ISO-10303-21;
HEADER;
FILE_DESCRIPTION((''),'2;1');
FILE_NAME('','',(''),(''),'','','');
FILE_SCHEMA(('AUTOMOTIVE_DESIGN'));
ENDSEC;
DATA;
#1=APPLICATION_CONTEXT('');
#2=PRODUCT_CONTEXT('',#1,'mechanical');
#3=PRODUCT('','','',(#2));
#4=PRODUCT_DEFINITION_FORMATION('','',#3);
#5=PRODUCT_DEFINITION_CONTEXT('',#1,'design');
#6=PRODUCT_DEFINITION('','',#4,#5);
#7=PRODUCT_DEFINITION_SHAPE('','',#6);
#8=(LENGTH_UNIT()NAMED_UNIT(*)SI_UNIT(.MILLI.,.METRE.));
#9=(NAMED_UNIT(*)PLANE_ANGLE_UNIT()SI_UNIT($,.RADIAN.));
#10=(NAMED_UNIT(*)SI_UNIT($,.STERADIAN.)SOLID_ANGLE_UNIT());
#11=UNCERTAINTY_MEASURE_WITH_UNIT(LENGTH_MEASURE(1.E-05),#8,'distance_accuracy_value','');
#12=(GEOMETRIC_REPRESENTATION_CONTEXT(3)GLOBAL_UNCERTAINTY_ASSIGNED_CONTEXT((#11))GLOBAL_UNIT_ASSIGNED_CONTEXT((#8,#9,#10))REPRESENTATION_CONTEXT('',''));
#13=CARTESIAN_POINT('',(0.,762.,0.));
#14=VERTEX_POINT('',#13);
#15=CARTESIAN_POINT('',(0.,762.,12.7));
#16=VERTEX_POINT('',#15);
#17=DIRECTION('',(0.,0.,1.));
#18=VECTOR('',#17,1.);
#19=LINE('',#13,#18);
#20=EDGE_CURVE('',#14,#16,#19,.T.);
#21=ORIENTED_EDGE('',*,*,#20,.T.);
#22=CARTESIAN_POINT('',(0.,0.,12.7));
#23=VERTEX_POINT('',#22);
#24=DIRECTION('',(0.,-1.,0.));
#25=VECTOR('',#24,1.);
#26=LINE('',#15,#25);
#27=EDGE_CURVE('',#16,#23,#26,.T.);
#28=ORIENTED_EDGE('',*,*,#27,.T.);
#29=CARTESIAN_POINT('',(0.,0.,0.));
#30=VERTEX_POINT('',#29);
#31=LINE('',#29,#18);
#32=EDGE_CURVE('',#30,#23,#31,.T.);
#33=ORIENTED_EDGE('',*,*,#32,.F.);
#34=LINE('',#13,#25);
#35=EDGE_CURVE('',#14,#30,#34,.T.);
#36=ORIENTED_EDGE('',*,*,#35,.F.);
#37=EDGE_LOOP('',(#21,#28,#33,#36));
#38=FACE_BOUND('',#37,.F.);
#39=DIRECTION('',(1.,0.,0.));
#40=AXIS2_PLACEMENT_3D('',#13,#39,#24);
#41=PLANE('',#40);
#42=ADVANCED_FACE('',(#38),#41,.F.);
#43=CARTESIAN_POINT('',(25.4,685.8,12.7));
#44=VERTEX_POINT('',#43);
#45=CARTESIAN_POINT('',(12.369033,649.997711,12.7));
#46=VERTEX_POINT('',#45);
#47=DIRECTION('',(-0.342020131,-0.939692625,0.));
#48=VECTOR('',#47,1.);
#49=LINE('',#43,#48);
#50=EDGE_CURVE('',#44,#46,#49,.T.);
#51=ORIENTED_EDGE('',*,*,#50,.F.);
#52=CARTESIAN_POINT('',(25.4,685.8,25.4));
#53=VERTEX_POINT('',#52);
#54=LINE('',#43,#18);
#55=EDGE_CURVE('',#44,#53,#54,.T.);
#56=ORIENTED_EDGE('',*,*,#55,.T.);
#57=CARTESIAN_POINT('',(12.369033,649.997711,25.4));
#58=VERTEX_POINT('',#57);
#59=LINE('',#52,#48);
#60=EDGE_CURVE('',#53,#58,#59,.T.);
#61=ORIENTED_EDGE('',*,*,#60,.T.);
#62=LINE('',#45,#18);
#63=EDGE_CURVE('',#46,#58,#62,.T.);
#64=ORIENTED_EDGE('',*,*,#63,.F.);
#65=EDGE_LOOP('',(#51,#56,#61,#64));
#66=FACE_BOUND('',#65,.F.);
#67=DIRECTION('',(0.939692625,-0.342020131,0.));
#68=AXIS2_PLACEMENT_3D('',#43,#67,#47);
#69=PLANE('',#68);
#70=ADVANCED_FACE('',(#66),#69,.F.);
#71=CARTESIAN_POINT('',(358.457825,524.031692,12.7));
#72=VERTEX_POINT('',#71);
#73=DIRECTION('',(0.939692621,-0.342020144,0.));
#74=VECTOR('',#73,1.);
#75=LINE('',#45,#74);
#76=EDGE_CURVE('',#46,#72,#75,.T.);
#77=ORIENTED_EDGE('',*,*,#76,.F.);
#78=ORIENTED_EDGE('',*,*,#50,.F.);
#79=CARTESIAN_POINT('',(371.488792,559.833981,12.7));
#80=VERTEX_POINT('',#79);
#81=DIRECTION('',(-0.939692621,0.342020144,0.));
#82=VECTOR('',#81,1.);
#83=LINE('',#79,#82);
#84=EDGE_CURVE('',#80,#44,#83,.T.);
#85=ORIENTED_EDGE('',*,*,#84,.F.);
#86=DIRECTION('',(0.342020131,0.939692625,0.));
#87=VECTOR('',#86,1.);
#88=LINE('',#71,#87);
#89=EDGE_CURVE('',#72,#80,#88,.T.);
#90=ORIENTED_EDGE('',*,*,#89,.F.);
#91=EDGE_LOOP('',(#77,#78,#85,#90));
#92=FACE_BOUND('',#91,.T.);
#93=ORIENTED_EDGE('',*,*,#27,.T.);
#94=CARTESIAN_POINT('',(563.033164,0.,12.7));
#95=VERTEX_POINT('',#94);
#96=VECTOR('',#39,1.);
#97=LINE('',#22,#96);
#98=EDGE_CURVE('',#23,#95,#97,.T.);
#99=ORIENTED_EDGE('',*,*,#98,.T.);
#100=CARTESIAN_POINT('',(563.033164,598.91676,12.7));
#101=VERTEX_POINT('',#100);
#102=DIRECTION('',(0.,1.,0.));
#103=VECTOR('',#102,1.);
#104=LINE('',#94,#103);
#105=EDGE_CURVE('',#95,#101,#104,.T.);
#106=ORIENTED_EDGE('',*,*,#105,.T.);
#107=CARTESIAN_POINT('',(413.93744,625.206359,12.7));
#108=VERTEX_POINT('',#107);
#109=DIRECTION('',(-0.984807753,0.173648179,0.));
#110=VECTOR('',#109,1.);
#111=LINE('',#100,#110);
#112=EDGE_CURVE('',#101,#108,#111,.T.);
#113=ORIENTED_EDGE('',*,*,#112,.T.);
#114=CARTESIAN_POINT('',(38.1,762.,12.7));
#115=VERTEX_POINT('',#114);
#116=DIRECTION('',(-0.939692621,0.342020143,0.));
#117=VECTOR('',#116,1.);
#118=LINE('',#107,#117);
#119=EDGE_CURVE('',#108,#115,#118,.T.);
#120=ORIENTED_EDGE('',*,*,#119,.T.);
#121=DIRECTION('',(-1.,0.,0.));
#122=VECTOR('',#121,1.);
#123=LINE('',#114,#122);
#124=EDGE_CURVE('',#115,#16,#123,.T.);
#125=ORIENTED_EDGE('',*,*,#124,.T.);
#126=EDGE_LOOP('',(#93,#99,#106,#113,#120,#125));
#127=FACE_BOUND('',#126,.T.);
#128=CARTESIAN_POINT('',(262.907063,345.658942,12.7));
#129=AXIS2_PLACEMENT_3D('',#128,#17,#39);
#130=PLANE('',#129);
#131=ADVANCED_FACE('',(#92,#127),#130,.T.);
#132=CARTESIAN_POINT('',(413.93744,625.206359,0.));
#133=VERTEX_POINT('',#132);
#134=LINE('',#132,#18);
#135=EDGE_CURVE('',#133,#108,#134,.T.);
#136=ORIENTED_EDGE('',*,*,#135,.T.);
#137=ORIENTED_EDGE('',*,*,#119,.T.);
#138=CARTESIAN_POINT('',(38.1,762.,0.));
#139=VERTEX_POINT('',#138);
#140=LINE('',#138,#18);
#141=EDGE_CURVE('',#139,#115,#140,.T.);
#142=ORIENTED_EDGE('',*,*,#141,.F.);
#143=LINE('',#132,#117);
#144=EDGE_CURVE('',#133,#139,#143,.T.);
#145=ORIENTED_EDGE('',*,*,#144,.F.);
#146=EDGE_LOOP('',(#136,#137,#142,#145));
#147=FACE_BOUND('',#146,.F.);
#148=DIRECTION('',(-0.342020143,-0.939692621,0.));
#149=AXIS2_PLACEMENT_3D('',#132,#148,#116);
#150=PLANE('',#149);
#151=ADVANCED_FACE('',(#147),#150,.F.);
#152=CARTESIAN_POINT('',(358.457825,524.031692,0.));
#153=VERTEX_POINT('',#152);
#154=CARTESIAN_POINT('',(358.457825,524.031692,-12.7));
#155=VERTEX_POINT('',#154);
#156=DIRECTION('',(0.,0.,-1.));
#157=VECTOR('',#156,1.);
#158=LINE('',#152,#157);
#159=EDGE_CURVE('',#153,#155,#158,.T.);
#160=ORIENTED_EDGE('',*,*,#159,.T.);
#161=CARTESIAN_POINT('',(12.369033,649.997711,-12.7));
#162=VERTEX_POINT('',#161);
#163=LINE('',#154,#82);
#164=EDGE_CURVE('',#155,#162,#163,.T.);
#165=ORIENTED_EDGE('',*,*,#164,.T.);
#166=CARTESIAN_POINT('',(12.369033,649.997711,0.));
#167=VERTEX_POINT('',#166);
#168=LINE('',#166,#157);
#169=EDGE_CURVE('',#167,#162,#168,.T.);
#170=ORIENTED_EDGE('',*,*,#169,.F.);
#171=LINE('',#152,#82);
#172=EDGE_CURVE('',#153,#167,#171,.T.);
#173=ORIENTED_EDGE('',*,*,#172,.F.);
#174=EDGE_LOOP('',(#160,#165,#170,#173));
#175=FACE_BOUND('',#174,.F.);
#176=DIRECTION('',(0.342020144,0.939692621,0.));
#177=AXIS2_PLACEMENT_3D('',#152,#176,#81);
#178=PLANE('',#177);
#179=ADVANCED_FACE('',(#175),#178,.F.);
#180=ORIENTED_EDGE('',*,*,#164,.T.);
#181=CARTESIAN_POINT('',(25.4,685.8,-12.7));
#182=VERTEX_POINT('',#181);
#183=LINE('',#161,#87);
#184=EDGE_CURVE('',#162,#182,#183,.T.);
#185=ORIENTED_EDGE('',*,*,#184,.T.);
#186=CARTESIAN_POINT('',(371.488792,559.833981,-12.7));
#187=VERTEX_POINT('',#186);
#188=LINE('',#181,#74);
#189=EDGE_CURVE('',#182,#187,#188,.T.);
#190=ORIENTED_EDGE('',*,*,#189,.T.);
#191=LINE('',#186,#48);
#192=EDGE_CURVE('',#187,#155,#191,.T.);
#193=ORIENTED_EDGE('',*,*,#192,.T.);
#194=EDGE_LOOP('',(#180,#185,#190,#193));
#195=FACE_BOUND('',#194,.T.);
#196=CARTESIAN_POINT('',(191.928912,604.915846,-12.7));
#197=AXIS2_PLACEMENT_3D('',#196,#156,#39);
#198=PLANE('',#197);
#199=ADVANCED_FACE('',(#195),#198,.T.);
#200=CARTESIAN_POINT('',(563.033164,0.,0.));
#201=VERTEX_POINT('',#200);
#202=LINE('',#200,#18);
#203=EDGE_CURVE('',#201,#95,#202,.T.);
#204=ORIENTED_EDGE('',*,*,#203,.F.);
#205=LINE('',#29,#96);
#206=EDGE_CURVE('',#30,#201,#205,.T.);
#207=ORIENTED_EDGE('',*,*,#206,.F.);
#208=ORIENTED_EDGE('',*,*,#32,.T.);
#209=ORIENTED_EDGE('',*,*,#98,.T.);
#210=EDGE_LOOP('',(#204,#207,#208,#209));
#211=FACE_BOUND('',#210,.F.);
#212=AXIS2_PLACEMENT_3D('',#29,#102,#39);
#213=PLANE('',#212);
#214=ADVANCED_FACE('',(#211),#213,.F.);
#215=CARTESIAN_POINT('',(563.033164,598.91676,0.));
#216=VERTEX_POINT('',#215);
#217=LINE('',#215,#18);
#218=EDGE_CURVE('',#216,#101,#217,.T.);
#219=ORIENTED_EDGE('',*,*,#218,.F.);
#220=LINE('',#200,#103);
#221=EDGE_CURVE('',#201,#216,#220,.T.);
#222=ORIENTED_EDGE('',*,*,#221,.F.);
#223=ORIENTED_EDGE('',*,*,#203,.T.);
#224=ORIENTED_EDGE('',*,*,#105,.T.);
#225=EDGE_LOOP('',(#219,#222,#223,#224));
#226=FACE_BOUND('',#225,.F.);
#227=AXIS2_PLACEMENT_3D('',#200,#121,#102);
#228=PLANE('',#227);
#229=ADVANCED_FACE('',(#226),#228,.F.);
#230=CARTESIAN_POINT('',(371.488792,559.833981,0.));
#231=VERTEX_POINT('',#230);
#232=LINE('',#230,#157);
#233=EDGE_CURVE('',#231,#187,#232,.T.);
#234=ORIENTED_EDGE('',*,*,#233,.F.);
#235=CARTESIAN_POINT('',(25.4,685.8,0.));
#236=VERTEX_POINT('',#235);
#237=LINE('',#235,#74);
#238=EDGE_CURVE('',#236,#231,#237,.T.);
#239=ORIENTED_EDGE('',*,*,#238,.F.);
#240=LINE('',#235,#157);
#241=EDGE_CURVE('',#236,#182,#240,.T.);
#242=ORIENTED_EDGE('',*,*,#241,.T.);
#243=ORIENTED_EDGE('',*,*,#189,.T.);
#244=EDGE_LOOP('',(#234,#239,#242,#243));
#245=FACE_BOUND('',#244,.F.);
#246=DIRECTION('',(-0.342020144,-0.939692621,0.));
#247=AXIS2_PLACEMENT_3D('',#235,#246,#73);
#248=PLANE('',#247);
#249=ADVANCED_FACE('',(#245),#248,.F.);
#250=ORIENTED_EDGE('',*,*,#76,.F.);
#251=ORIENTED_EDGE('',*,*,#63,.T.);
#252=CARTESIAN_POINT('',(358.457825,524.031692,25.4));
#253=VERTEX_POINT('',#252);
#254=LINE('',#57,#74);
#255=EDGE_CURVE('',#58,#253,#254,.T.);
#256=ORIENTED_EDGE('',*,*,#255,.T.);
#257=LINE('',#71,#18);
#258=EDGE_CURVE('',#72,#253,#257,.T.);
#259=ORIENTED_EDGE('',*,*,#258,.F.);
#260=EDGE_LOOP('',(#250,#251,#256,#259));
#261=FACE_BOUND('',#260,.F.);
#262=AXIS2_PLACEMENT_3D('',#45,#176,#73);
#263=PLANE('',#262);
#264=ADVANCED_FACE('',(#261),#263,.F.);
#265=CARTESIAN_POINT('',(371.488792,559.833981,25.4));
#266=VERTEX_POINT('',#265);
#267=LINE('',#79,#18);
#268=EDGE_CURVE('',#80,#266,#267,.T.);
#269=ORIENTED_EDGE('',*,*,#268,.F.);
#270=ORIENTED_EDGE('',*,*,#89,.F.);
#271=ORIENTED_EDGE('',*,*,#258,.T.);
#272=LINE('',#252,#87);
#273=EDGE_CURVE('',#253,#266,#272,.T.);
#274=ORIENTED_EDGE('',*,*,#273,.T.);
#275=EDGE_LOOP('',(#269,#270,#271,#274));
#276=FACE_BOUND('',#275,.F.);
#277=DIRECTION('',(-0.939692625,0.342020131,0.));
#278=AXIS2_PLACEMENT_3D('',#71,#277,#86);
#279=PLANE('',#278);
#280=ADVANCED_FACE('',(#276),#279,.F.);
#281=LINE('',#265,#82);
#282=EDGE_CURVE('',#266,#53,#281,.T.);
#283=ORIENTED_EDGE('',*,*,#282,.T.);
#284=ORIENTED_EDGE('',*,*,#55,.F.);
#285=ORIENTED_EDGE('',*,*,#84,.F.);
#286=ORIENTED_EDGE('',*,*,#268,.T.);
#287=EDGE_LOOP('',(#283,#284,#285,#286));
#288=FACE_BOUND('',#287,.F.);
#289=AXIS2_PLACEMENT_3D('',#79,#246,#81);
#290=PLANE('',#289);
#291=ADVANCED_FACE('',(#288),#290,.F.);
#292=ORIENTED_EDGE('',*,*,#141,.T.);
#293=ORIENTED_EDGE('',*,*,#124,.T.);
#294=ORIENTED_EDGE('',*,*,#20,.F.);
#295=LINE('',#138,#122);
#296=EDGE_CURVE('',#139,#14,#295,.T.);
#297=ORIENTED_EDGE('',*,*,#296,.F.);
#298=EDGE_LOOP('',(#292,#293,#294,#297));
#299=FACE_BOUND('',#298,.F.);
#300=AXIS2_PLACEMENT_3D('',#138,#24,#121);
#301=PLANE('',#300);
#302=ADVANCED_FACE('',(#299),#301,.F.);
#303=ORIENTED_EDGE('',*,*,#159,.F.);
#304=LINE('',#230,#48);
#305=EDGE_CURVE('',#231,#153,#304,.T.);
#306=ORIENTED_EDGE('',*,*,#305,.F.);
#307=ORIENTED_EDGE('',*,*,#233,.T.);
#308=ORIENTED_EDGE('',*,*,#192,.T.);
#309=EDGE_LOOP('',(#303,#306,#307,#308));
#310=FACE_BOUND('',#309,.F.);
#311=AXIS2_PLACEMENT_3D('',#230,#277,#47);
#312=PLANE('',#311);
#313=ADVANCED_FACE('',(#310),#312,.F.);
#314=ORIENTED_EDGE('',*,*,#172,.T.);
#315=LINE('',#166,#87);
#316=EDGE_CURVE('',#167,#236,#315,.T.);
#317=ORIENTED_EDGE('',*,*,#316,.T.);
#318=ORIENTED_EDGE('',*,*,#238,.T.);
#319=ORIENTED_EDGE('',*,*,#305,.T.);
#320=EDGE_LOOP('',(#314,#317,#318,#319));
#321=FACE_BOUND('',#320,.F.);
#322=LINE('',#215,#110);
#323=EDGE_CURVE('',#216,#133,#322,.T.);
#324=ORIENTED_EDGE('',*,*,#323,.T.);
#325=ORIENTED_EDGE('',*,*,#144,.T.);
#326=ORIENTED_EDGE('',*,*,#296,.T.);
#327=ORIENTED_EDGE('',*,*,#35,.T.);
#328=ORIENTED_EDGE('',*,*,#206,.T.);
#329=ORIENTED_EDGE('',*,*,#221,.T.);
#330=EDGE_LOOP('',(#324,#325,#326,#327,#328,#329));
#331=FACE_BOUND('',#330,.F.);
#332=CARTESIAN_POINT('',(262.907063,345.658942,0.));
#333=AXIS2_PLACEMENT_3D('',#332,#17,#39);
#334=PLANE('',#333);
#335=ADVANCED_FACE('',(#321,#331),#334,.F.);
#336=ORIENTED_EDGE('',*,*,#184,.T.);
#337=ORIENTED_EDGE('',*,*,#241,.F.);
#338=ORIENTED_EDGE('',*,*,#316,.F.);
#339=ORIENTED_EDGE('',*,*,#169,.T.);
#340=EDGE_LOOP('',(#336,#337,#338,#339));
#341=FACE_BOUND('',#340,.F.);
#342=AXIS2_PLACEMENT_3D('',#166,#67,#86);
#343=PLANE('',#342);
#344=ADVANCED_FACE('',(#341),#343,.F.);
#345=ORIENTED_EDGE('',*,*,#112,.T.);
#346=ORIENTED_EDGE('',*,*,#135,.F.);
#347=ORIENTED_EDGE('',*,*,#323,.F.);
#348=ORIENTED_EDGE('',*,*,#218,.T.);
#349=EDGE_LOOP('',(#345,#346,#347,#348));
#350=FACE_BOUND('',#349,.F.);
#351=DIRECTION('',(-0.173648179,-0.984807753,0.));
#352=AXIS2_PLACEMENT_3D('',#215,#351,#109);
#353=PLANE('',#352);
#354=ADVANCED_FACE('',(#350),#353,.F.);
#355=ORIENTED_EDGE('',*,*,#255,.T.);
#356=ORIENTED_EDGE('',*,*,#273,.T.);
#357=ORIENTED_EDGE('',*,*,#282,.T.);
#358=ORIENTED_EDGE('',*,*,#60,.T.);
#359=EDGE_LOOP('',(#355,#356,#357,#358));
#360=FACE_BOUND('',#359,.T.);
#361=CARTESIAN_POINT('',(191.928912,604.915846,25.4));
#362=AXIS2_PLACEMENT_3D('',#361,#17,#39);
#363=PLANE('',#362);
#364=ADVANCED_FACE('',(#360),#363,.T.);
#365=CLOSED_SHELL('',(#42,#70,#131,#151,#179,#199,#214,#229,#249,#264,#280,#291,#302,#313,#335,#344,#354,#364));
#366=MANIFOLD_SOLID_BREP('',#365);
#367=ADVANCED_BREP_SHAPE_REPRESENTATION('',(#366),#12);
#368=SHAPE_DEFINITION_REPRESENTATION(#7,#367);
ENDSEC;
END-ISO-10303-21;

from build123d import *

# Parameters (mm, degrees)
F1_DEPTH = 12.7
F3_DEPTH = 12.7
F5_DEPTH = 12.7


with BuildPart() as f1:
    # F0 (on Top) → F1 (new body)
    with BuildSketch(Plane.XY):
        Polygon((0, 762), (0, 0), (563.033164, 0), (563.033164, 598.91676), (413.93744, 625.206359), (38.1, 762), align=None)
    extrude(amount=F1_DEPTH)

    # F2 (on face) → F3 (join)
    with BuildSketch(Plane.XY.offset(12.7)):
        Polygon((371.488792, 559.833981), (25.4, 685.8), (12.369033, 649.997711), (358.457825, 524.031692), align=None)
    extrude(amount=F3_DEPTH)

    # F4 (on face) → F5 (join)
    with BuildSketch(Plane(origin=(0, 0, 0), x_dir=(1, 0, 0), z_dir=(0, 0, -1))):
        Polygon((12.369033, -649.997711), (25.4, -685.8), (371.488792, -559.833981), (358.457825, -524.031692), align=None)
    extrude(amount=F5_DEPTH)


solid = f1.part
